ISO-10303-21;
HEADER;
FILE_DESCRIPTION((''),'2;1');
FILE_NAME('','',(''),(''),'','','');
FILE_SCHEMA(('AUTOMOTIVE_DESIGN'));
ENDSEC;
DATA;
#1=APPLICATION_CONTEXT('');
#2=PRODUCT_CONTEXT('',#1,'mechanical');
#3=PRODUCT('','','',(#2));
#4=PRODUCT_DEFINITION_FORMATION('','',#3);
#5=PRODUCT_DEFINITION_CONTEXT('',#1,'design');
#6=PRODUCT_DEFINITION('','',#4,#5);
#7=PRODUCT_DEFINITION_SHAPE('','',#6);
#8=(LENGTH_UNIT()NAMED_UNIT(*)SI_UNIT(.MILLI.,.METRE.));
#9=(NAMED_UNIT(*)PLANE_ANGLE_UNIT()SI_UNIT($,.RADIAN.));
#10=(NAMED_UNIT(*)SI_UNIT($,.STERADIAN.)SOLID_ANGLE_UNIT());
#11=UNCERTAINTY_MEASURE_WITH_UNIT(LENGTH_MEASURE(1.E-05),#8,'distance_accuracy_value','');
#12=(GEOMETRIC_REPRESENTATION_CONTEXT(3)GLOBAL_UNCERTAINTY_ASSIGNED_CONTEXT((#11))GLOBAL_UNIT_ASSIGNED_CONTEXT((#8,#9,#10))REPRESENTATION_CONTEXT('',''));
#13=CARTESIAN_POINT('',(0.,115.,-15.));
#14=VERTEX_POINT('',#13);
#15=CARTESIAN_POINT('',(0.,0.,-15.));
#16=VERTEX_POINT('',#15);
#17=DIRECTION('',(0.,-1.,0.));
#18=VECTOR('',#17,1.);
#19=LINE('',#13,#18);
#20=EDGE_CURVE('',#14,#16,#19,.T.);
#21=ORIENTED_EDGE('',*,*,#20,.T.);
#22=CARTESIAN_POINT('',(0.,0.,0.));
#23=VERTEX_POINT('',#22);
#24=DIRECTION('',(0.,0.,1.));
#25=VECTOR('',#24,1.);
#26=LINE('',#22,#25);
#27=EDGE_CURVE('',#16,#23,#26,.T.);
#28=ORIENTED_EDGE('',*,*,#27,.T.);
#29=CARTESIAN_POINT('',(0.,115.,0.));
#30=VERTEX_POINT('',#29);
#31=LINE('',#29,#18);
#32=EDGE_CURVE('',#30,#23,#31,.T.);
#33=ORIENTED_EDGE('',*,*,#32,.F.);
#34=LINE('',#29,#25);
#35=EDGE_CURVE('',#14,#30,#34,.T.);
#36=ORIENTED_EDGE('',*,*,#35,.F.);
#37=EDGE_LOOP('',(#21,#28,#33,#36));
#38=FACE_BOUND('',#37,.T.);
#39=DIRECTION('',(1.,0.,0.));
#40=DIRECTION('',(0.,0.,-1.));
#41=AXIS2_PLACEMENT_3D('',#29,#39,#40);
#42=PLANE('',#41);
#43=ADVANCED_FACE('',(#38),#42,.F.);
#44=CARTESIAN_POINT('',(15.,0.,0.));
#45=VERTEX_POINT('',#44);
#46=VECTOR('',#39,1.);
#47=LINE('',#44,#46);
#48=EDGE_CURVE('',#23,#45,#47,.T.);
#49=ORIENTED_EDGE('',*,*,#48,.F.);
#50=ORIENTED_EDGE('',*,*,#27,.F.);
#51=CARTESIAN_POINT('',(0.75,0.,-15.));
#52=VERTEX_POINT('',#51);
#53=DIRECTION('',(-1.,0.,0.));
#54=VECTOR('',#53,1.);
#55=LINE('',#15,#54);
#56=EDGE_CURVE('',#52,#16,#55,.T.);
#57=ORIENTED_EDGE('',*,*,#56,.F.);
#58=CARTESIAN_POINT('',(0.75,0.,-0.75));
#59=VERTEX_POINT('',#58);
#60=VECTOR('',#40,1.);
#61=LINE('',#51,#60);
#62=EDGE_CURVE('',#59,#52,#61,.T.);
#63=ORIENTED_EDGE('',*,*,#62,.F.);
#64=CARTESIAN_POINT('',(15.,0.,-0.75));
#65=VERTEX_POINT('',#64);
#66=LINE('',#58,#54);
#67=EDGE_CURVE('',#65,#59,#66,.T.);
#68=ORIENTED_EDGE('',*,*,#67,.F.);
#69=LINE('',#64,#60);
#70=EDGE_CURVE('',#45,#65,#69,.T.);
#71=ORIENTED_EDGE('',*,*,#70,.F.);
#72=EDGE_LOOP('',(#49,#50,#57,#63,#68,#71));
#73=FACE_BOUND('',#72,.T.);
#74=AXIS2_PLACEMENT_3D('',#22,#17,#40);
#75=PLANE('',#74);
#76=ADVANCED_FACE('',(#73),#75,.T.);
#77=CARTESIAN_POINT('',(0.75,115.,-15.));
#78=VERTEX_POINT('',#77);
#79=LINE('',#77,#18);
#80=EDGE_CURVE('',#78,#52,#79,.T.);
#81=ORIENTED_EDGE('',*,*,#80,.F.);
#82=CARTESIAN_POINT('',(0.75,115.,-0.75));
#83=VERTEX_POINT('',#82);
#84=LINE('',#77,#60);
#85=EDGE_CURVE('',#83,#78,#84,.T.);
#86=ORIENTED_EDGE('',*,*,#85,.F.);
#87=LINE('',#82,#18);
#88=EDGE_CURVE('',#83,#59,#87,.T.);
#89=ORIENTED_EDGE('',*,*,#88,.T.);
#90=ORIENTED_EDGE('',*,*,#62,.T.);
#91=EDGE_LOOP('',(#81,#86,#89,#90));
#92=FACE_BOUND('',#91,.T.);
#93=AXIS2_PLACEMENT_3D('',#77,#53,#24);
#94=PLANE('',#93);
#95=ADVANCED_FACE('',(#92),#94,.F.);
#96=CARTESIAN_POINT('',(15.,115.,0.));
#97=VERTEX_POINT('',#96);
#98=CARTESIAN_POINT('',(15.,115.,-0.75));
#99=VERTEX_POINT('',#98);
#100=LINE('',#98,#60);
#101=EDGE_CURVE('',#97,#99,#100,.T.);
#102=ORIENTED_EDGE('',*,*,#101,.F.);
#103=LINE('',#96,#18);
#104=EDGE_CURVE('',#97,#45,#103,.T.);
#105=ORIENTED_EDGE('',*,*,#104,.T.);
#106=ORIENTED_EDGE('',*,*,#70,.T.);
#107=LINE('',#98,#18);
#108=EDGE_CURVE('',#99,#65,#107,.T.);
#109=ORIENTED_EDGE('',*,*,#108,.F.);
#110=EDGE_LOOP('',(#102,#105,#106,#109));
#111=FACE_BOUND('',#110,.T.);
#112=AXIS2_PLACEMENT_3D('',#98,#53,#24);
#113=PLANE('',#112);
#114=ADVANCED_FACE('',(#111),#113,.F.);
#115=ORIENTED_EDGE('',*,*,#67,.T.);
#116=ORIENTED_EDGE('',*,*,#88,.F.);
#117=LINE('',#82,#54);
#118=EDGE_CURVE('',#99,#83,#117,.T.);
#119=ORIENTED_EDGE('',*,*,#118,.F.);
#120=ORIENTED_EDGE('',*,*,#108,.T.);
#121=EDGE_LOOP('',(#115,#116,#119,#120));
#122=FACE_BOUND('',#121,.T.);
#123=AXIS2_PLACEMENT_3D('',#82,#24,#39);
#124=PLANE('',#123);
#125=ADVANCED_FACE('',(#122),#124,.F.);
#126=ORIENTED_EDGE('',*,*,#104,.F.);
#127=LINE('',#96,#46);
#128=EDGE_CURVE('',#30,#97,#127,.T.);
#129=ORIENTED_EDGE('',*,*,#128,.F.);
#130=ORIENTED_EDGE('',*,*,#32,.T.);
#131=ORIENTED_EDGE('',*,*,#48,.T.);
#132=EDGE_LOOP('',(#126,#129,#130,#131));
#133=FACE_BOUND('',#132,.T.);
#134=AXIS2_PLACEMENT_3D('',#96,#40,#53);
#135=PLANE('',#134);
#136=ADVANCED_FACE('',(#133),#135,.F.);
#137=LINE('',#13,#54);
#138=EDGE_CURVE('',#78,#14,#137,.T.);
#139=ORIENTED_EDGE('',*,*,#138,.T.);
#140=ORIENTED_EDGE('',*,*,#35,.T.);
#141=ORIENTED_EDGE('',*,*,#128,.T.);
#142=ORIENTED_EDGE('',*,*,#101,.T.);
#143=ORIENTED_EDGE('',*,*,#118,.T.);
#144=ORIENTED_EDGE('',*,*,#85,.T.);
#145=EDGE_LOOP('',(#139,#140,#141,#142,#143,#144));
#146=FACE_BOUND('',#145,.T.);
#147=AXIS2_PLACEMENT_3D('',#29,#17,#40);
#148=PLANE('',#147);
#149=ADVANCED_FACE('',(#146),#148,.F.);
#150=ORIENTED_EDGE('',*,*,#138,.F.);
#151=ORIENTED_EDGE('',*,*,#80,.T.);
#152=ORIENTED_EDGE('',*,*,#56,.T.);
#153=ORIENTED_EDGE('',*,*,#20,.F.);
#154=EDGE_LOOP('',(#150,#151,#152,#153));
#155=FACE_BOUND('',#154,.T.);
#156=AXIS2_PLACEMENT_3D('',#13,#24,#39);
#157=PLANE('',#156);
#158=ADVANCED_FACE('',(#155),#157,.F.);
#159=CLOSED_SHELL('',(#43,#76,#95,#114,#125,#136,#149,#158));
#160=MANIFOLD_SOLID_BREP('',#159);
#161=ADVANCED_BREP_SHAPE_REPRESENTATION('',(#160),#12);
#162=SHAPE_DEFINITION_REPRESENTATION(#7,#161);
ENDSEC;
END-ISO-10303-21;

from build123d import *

# Parameters (mm, degrees)
EXTRUDE_1_DEPTH = 115


with BuildPart() as part:
    # Эскиз1 → Бобышка-Вытянуть1 (new body)
    with BuildSketch(Plane(origin=(0, 0, 0), x_dir=(1, 0, 0), z_dir=(0, 1, 0))):
        Polygon((0, 0), (0, 15), (0.75, 15), (0.75, 0.75), (15, 0.75), (15, 0), align=None)
    extrude(amount=EXTRUDE_1_DEPTH)


solid = part.part
